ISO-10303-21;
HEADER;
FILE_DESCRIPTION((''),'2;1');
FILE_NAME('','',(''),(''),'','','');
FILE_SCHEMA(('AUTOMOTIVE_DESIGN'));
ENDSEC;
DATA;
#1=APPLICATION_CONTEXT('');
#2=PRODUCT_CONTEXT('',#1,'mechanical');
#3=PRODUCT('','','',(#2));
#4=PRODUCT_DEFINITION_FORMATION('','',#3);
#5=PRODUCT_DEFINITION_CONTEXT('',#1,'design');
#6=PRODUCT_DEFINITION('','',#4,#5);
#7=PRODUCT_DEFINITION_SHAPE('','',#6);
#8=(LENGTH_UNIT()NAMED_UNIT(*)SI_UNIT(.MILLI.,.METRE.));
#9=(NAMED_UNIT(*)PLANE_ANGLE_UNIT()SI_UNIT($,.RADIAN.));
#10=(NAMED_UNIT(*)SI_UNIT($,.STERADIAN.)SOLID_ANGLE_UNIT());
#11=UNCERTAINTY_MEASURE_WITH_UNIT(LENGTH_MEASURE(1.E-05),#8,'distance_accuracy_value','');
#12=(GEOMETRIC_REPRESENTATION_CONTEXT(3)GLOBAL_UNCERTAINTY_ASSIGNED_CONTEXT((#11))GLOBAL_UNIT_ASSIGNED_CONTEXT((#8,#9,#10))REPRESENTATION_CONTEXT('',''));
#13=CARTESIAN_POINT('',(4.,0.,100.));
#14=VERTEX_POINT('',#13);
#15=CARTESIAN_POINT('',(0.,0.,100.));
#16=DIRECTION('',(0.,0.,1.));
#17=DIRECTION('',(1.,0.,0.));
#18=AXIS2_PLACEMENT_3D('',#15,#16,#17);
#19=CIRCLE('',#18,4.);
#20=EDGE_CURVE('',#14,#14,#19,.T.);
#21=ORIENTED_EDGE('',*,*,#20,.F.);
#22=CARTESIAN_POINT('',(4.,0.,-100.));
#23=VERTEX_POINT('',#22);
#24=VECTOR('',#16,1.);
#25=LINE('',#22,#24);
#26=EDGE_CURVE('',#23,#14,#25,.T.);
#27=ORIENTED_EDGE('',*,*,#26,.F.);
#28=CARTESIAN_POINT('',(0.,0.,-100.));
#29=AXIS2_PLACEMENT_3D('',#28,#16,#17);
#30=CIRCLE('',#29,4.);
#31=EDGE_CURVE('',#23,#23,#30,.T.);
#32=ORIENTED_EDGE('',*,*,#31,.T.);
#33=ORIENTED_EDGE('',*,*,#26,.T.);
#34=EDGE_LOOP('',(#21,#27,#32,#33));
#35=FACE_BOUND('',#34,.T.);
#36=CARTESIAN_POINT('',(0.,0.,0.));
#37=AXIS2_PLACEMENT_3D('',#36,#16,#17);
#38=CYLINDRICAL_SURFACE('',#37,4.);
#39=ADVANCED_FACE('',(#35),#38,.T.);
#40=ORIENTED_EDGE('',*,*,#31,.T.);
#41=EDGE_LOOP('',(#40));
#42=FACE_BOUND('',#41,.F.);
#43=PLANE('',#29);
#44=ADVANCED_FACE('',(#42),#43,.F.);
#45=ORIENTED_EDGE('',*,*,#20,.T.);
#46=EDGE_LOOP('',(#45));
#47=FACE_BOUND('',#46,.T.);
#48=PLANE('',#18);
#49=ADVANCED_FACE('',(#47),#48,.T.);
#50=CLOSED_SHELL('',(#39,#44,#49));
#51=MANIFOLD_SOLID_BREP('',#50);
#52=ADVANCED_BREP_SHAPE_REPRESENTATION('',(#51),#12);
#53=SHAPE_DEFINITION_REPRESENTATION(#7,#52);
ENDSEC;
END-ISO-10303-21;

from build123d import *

# Parameters (mm, degrees)
SKETCH_1_R      = 4
EXTRUDE_1_DEPTH = 100


with BuildPart() as part:
    # 草图1 → 凸台-拉伸1 (new body, symmetric)
    with BuildSketch(Plane.XY):
        Circle(SKETCH_1_R)
    extrude(amount=EXTRUDE_1_DEPTH, both=True)


solid = part.part
